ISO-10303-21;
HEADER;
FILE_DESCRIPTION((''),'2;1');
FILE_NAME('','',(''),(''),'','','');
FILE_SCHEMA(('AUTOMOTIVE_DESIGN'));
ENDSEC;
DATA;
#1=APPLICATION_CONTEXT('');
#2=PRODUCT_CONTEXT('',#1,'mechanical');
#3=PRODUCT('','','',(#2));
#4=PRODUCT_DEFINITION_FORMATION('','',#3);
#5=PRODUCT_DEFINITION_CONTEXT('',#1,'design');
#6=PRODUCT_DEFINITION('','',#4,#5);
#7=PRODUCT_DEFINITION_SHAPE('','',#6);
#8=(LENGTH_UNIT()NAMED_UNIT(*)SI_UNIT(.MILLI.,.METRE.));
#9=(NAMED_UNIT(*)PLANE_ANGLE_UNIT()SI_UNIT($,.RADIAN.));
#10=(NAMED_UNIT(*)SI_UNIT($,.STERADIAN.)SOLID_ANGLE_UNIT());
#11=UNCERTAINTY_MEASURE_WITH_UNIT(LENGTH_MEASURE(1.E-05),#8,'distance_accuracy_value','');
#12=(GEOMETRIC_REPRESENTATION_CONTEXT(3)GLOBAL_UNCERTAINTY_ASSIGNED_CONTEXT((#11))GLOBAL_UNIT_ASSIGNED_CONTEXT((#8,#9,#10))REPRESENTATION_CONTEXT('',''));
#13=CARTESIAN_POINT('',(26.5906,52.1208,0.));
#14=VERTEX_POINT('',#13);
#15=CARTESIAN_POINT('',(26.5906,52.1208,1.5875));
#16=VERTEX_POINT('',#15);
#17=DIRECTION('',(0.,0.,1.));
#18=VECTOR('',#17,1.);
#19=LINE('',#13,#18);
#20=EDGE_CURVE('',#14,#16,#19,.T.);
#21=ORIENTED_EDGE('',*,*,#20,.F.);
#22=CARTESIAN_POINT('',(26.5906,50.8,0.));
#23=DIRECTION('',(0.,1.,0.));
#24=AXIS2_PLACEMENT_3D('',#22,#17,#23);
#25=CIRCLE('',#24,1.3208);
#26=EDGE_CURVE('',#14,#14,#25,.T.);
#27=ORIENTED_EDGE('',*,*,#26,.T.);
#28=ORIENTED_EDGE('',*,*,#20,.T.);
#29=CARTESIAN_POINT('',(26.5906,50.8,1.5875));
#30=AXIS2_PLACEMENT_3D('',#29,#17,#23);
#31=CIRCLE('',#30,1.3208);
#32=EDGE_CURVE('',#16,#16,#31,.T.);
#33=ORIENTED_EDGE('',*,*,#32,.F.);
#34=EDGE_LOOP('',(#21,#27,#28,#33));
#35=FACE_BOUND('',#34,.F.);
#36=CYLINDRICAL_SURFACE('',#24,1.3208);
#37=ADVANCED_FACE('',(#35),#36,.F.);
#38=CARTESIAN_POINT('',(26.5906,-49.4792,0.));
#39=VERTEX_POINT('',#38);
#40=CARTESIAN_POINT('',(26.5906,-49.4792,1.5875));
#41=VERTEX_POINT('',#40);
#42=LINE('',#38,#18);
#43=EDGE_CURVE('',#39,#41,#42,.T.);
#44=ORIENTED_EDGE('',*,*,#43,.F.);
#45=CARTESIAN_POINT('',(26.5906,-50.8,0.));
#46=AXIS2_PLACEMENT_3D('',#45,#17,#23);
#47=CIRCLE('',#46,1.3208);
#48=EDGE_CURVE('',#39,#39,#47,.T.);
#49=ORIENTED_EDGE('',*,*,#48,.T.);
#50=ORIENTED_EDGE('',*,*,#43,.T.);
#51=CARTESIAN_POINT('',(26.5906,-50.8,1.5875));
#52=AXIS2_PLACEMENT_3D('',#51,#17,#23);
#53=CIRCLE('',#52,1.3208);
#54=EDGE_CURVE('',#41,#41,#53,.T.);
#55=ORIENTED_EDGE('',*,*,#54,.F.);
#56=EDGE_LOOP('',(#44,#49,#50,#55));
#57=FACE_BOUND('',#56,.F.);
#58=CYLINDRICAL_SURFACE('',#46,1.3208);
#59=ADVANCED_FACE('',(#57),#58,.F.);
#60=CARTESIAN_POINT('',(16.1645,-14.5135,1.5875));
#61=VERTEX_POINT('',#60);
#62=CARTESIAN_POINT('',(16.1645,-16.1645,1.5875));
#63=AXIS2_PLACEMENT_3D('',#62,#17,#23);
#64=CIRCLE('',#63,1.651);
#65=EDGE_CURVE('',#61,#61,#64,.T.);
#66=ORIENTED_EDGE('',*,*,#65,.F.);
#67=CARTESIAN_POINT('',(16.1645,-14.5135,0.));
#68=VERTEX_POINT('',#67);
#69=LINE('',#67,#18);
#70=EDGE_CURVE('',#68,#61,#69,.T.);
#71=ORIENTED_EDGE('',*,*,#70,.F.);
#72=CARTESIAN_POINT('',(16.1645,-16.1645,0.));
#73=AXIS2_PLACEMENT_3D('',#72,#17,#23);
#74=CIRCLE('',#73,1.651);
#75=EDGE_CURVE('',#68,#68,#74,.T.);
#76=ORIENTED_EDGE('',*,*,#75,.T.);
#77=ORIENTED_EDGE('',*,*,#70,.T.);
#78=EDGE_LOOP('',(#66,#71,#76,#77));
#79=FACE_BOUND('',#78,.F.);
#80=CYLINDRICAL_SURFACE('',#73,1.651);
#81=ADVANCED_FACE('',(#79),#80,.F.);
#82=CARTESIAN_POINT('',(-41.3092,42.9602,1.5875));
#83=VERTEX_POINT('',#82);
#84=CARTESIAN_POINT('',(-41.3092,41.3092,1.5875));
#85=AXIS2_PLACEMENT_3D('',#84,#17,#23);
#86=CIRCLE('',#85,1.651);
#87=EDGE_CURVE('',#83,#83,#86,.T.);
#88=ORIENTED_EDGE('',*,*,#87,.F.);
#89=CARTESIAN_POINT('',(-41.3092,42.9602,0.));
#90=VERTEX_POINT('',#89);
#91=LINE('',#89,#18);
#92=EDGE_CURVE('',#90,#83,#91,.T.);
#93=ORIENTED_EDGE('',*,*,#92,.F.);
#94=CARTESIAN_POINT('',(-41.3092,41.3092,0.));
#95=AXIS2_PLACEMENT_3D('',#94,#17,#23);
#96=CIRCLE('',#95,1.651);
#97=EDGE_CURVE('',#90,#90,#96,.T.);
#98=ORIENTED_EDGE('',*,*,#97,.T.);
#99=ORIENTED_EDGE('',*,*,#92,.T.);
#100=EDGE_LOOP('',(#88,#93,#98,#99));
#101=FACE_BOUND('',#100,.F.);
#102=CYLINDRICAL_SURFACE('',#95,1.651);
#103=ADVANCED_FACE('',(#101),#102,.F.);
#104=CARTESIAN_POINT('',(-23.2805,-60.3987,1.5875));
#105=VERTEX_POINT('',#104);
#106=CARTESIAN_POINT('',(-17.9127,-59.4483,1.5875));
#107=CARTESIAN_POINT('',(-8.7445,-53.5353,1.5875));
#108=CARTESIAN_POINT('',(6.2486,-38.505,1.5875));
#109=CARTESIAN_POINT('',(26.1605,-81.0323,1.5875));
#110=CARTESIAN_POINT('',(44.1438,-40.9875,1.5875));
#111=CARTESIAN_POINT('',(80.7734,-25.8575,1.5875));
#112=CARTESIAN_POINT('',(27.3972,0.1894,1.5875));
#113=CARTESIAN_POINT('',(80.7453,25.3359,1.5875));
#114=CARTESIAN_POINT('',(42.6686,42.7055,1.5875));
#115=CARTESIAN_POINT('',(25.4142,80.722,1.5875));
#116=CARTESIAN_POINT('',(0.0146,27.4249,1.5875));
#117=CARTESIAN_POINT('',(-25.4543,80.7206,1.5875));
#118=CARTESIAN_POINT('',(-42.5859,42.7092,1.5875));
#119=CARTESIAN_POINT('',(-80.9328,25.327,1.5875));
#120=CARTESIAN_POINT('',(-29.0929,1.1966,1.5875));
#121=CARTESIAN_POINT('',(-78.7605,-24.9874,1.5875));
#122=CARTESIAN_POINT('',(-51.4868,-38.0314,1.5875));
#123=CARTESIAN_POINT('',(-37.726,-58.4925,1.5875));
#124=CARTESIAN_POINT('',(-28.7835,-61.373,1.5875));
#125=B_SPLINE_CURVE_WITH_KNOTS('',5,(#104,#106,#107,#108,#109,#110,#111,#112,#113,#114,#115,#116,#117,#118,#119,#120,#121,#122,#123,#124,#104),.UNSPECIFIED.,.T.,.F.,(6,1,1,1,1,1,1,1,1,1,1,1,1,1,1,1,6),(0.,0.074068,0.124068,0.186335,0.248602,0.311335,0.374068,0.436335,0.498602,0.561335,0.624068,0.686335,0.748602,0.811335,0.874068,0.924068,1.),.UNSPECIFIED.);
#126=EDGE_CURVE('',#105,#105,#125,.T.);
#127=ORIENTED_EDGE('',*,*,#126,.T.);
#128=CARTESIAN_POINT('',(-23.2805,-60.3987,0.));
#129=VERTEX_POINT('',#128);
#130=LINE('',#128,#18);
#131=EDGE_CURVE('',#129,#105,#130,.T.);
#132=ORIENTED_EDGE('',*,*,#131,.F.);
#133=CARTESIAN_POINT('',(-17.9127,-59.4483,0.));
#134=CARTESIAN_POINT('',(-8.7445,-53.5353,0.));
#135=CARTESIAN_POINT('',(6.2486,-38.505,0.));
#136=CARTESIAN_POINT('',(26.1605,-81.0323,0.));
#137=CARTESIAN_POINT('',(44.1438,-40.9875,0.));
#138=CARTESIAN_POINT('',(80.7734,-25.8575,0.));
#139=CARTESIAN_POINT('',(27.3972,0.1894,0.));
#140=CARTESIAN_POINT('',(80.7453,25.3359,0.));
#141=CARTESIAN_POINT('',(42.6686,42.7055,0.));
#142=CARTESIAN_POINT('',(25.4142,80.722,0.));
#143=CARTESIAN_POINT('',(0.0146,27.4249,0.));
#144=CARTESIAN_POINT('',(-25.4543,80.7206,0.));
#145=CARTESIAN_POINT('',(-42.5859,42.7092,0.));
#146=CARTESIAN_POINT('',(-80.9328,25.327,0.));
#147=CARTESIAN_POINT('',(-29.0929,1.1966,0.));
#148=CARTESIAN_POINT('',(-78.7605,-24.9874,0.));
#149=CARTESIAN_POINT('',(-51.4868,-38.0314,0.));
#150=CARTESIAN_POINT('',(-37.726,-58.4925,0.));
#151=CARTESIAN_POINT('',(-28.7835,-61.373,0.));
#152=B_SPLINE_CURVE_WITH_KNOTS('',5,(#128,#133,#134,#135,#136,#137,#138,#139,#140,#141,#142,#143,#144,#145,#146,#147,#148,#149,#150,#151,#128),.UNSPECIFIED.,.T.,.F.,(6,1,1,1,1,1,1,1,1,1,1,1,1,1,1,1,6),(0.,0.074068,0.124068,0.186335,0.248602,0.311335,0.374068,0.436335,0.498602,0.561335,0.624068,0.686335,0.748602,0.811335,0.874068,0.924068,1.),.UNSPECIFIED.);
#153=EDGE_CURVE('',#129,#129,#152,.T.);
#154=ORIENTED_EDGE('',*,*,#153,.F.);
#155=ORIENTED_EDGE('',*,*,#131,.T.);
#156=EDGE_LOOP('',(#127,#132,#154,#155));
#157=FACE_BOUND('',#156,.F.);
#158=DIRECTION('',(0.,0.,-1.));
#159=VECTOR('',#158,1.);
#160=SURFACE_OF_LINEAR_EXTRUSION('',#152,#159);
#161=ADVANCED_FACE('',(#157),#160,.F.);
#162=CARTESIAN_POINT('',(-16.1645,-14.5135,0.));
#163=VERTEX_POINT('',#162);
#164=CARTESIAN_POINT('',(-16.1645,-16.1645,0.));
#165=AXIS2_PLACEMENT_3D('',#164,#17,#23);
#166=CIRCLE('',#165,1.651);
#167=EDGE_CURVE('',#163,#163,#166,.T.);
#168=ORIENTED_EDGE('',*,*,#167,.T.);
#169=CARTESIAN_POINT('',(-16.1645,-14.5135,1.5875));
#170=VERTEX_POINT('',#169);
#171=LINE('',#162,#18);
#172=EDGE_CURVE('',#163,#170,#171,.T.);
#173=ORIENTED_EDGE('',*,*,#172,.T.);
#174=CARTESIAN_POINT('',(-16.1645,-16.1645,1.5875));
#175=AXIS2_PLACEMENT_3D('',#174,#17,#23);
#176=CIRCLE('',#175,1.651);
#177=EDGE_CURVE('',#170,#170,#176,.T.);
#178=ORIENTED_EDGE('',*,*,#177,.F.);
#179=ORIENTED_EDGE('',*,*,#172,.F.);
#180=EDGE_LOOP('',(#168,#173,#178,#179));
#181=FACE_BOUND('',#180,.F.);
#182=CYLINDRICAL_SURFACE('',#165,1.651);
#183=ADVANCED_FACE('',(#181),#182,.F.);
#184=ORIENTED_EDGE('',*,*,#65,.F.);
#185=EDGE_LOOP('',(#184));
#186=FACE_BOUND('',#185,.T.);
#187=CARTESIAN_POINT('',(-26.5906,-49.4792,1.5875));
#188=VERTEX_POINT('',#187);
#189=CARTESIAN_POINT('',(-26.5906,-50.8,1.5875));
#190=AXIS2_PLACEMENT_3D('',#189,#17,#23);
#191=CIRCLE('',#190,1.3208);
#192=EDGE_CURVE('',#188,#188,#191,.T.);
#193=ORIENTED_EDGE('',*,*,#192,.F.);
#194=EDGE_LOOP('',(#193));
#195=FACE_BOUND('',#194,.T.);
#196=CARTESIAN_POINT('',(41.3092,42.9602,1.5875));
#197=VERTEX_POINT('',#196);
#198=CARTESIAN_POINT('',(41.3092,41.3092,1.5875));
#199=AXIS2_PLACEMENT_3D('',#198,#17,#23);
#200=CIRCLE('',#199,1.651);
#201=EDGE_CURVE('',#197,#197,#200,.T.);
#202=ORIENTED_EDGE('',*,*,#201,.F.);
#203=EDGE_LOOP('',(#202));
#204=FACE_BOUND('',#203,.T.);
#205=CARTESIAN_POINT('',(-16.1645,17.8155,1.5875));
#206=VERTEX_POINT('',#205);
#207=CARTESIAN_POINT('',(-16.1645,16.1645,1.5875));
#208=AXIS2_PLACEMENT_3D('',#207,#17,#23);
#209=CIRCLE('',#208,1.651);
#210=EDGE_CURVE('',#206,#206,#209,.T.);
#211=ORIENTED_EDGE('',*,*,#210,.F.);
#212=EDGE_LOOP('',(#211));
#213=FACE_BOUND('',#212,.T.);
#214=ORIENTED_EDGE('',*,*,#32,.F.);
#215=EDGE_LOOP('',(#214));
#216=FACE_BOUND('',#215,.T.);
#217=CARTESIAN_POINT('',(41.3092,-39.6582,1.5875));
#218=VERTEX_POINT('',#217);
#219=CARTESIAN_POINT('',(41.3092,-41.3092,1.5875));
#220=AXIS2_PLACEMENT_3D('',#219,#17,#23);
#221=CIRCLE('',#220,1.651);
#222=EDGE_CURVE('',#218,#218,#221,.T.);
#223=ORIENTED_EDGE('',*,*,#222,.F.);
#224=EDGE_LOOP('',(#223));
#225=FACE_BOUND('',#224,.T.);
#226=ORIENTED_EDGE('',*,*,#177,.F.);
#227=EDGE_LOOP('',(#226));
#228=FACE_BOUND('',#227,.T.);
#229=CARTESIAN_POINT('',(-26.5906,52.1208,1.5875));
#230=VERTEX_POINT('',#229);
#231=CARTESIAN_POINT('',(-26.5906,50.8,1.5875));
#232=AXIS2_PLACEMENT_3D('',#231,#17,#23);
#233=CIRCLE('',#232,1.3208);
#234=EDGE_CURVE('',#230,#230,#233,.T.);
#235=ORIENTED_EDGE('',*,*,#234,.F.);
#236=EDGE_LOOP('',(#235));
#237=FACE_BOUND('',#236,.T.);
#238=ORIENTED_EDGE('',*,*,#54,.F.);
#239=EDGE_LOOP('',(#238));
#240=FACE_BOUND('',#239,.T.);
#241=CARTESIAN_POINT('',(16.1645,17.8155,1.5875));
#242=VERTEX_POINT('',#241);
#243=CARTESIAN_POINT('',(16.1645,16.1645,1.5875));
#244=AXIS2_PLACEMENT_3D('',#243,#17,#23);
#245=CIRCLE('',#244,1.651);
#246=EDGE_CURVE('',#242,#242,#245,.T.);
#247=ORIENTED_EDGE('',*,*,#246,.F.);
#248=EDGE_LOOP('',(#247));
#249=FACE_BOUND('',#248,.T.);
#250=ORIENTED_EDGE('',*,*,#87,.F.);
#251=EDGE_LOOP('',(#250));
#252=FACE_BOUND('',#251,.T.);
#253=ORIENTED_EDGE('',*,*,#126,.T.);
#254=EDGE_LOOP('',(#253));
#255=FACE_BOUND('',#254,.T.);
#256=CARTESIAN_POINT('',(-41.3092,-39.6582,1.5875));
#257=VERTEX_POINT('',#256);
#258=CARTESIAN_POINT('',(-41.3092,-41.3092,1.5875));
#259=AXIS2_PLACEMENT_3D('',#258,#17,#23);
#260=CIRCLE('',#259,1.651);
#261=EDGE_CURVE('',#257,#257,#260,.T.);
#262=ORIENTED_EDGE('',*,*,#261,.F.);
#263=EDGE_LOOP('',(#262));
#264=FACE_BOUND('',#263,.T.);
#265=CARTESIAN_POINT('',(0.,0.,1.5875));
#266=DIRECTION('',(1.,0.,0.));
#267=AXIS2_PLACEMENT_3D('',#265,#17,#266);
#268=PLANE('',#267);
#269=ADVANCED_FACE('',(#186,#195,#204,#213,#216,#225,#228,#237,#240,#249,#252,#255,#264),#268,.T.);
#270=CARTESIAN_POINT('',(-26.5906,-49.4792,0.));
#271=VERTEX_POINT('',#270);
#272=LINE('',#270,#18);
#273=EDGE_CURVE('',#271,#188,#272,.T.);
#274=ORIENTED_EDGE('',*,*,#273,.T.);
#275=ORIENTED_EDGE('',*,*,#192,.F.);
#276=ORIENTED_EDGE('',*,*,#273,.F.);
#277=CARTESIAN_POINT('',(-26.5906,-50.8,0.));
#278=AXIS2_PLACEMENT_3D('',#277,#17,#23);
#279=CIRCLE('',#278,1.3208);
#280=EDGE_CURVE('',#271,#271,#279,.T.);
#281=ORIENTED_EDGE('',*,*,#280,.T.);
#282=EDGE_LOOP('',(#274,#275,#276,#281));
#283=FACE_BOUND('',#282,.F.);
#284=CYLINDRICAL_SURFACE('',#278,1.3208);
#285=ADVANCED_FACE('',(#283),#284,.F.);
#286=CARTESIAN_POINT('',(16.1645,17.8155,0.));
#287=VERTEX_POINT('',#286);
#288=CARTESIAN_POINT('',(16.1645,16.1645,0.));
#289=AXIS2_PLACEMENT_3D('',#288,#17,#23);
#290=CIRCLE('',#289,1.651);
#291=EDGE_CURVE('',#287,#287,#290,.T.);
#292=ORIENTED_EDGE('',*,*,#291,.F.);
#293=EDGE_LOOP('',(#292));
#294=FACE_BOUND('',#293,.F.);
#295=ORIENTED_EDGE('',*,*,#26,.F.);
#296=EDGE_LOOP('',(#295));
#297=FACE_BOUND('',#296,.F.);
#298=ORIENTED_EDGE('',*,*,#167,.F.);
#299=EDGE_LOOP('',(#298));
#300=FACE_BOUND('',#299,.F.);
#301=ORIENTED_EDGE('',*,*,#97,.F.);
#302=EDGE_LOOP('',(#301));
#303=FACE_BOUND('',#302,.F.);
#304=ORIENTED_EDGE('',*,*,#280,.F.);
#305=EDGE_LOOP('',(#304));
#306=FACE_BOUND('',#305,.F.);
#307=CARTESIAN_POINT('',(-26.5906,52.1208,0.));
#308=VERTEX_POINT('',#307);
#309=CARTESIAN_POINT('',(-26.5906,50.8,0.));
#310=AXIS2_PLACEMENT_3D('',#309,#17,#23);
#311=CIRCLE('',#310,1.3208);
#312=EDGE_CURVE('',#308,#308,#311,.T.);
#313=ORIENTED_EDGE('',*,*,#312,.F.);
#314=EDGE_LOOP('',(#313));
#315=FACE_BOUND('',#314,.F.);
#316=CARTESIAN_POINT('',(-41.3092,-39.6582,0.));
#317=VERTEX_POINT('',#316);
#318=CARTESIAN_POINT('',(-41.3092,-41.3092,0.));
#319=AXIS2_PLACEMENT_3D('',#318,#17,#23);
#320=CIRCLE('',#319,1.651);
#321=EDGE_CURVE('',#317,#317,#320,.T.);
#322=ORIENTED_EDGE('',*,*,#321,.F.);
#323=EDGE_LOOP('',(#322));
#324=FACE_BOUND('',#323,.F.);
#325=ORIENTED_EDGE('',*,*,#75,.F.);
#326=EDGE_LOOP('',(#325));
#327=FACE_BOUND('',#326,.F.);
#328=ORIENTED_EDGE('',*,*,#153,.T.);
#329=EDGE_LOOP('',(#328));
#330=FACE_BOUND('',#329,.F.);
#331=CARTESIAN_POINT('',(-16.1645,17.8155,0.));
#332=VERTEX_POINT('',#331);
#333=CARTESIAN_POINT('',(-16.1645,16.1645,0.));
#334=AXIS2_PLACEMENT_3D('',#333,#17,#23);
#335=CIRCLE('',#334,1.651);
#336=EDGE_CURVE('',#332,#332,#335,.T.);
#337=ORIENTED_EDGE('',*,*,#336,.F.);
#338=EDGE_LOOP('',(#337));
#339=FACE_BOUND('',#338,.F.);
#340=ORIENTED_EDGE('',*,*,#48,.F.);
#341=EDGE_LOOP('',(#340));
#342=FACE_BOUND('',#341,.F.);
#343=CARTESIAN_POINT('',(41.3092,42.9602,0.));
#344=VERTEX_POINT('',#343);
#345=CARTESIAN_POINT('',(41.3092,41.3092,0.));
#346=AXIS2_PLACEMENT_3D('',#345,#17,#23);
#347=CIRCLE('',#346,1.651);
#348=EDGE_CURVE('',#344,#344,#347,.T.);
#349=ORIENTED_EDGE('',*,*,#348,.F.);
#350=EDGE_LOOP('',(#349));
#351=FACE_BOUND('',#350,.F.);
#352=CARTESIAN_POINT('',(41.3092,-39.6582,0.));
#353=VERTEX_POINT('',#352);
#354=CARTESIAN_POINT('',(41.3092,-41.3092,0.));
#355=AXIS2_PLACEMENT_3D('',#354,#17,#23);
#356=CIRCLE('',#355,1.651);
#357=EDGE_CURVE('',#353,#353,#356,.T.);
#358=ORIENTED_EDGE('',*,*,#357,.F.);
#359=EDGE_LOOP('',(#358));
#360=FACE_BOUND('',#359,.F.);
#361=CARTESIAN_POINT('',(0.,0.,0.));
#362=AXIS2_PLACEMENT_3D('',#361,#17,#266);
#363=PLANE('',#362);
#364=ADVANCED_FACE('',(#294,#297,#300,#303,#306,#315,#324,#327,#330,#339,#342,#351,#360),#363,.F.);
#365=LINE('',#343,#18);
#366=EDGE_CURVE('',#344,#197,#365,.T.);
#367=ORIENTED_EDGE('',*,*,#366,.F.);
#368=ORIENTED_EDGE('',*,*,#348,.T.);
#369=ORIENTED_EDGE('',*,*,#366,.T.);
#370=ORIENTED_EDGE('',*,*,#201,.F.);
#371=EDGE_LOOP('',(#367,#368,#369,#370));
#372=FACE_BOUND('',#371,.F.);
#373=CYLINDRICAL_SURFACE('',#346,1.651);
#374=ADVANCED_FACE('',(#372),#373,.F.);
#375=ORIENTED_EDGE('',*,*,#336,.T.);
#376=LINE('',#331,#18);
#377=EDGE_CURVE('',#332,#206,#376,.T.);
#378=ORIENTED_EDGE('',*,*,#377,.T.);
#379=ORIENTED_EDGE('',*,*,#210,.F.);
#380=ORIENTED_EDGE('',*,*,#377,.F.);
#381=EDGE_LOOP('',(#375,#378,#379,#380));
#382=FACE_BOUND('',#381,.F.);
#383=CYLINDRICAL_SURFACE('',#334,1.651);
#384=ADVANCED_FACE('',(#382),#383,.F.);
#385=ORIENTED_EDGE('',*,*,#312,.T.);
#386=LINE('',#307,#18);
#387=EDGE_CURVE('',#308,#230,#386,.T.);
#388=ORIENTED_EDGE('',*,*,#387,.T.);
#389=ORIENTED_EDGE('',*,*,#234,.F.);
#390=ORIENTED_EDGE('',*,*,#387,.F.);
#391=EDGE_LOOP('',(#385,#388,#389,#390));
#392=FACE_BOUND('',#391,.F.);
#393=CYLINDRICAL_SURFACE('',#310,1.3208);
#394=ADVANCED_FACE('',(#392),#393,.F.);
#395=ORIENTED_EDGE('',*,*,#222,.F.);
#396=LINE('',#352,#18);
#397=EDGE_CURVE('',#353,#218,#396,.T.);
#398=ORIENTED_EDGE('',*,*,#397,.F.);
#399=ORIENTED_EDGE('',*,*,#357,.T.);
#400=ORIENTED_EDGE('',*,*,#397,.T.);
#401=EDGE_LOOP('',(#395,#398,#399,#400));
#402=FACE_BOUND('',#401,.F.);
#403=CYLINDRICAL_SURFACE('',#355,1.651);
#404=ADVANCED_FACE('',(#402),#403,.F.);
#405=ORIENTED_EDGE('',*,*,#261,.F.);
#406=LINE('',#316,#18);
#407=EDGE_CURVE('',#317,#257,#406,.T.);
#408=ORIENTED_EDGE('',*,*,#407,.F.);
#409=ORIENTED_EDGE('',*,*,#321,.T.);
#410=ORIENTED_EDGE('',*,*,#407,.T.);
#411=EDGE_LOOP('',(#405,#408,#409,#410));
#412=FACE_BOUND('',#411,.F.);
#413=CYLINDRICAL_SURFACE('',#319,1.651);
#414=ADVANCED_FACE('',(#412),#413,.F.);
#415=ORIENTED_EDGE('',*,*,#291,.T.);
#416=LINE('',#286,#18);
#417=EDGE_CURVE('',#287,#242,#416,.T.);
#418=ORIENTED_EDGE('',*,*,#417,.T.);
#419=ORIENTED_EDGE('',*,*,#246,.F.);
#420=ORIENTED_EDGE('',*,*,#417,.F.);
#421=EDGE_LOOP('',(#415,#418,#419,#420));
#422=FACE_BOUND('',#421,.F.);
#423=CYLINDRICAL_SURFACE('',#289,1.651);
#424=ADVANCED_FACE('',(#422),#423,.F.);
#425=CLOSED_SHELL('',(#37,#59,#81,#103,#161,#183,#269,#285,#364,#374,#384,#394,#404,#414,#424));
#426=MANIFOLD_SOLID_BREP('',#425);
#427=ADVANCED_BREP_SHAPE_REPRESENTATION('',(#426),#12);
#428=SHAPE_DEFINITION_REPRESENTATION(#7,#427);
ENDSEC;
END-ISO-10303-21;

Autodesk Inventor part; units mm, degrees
ref_plane "YZ Plane" through (0, 0, 0) normal (1, 0, 0) x (0, 1, 0)
ref_plane "XZ Plane" through (0, 0, 0) normal (0, 1, 0) x (-1, 0, 0)
ref_plane "XY Plane" through (0, 0, 0) normal (0, 0, 1) x (1, 0, 0)
sketch "Sketch1" plane through (0, 0, 0) normal (0, 0, 1) x (1, 0, 0)
  line L0 (0, 10.0078) -> (0, -10.7712)
  line L1 (-20.5368, 0) -> (25.7294, 0)
  line L2 (0, 0) -> (-9.8402, -9.8402)
  line L3 (0, 0) -> (13.9161, 0) construction
  line L4 (0, 0) -> (-23.2805, 23.2805)
  spline S0 degree 5 poles (-23.2805, -60.3987) (-17.9127, -59.4483) (-8.7445, -53.5353) (6.2486, -38.505) (26.1605, -81.0323) (44.1438, -40.9875) (80.7734, -25.8575) (27.3972, 0.1894) (80.7453, 25.3359) (42.6686, 42.7055) (25.4142, 80.722) (0.0146, 27.4249) (-25.4543, 80.7206) (-42.5859, 42.7092) (-80.9328, 25.327) (-29.0929, 1.1966) (-78.7605, -24.9874) (-51.4868, -38.0314) (-37.726, -58.4925) (-28.7835, -61.373) (-23.2805, -60.3987) knots 0 0 0 0 0 0 0.074068 0.124068 0.186335 0.248602 0.311335 0.374068 0.436335 0.498602 0.561335 0.624068 0.686335 0.748602 0.811335 0.874068 0.924068 1 1 1 1 1 1
  point P0 (-16.1645, 16.1645)
  point P1 (-41.3092, 41.3092)
  point P2 (-41.3092, -41.3092)
  point P3 (-16.1645, -16.1645)
  point P4 (16.1645, 16.1645)
  point P5 (41.3092, 41.3092)
  point P6 (41.3092, -41.3092)
  point P7 (16.1645, -16.1645)
  point P8 (26.5906, 50.8)
  point P9 (-26.5906, 50.8)
  point P10 (23.2805, 23.2805)
  point P11 (16.1645, 16.1645)
  point P12 (23.2805, -60.3987)
  point P13 (46.6973, -46.6973)
  point P14 (60.3987, -23.2805)
  point P15 (50.8, 0)
  point P16 (60.3987, 23.2805)
  point P17 (46.6973, 46.6973)
  point P18 (23.2805, 60.3987)
  point P19 (0, 50.8)
  point P20 (-23.2805, 60.3987)
  point P21 (-46.6973, 46.6973)
  point P22 (-60.3987, 23.2805)
  point P23 (-50.8, 0)
  point P24 (-60.3987, -23.2805)
  point P25 (-46.6973, -46.6973)
  point P26 (26.5906, -50.8)
  point P27 (-26.5906, -50.8)
  dimension "d1" = 45
  dimension "d56" = 22.86
  dimension "d58" = 35.56
  dimension "d61" = 50.8
  dimension "d62" = 50.8
  dimension "d63" = 66.04
  dimension "d64" = 66.04
  dimension "d65" = 66.04
  dimension "d66" = 66.04
  dimension "d67" = 53.1812
  dimension "d68" = 101.6
extrude "Extrusion1" add sketch "Sketch1" along normal blind 1.5875
hole "Hole1" at (-16.1645, 16.1645, 0) at (-41.3092, 41.3092, 0) at (-41.3092, -41.3092, 0) at (-16.1645, -16.1645, 0) at (41.3092, 41.3092, 0) at (16.1645, 16.1645, 0) at (16.1645, -16.1645, 0) at (41.3092, -41.3092, 0) direction (0, 0, 1) diameter 3.302 end through all thread size "8-32 UNC" class "2B" standard "ANSI Unified Screw Threads"
sketch "Sketch2" plane through (0, 0, 0) normal (0, 0, -1) x (-1, 0, 0)
  line L0 (0, -11.8713) -> (0, 16.3095)
  line L1 (-16.3095, 0) -> (16.3095, 0)
  point P0 (23.2805, -60.3987)
  point P1 (0, 0)
  point P2 (26.5906, 50.8)
  point P3 (-26.5906, 50.8)
  point P4 (26.5906, -50.8)
  point P5 (-26.5906, -50.8)
  dimension "d69" = 53.1812
  dimension "d70" = 101.6
hole "Hole3" at (-26.5906, -50.8, 0) at (26.5906, -50.8, 0) at (26.5906, 50.8, 0) at (-26.5906, 50.8, 0) direction (0, 0, 1) diameter 2.6416 end through all thread size "6-32 UNC" class "2B" standard "ANSI Unified Screw Threads"
properties part number "BaseBottom"
